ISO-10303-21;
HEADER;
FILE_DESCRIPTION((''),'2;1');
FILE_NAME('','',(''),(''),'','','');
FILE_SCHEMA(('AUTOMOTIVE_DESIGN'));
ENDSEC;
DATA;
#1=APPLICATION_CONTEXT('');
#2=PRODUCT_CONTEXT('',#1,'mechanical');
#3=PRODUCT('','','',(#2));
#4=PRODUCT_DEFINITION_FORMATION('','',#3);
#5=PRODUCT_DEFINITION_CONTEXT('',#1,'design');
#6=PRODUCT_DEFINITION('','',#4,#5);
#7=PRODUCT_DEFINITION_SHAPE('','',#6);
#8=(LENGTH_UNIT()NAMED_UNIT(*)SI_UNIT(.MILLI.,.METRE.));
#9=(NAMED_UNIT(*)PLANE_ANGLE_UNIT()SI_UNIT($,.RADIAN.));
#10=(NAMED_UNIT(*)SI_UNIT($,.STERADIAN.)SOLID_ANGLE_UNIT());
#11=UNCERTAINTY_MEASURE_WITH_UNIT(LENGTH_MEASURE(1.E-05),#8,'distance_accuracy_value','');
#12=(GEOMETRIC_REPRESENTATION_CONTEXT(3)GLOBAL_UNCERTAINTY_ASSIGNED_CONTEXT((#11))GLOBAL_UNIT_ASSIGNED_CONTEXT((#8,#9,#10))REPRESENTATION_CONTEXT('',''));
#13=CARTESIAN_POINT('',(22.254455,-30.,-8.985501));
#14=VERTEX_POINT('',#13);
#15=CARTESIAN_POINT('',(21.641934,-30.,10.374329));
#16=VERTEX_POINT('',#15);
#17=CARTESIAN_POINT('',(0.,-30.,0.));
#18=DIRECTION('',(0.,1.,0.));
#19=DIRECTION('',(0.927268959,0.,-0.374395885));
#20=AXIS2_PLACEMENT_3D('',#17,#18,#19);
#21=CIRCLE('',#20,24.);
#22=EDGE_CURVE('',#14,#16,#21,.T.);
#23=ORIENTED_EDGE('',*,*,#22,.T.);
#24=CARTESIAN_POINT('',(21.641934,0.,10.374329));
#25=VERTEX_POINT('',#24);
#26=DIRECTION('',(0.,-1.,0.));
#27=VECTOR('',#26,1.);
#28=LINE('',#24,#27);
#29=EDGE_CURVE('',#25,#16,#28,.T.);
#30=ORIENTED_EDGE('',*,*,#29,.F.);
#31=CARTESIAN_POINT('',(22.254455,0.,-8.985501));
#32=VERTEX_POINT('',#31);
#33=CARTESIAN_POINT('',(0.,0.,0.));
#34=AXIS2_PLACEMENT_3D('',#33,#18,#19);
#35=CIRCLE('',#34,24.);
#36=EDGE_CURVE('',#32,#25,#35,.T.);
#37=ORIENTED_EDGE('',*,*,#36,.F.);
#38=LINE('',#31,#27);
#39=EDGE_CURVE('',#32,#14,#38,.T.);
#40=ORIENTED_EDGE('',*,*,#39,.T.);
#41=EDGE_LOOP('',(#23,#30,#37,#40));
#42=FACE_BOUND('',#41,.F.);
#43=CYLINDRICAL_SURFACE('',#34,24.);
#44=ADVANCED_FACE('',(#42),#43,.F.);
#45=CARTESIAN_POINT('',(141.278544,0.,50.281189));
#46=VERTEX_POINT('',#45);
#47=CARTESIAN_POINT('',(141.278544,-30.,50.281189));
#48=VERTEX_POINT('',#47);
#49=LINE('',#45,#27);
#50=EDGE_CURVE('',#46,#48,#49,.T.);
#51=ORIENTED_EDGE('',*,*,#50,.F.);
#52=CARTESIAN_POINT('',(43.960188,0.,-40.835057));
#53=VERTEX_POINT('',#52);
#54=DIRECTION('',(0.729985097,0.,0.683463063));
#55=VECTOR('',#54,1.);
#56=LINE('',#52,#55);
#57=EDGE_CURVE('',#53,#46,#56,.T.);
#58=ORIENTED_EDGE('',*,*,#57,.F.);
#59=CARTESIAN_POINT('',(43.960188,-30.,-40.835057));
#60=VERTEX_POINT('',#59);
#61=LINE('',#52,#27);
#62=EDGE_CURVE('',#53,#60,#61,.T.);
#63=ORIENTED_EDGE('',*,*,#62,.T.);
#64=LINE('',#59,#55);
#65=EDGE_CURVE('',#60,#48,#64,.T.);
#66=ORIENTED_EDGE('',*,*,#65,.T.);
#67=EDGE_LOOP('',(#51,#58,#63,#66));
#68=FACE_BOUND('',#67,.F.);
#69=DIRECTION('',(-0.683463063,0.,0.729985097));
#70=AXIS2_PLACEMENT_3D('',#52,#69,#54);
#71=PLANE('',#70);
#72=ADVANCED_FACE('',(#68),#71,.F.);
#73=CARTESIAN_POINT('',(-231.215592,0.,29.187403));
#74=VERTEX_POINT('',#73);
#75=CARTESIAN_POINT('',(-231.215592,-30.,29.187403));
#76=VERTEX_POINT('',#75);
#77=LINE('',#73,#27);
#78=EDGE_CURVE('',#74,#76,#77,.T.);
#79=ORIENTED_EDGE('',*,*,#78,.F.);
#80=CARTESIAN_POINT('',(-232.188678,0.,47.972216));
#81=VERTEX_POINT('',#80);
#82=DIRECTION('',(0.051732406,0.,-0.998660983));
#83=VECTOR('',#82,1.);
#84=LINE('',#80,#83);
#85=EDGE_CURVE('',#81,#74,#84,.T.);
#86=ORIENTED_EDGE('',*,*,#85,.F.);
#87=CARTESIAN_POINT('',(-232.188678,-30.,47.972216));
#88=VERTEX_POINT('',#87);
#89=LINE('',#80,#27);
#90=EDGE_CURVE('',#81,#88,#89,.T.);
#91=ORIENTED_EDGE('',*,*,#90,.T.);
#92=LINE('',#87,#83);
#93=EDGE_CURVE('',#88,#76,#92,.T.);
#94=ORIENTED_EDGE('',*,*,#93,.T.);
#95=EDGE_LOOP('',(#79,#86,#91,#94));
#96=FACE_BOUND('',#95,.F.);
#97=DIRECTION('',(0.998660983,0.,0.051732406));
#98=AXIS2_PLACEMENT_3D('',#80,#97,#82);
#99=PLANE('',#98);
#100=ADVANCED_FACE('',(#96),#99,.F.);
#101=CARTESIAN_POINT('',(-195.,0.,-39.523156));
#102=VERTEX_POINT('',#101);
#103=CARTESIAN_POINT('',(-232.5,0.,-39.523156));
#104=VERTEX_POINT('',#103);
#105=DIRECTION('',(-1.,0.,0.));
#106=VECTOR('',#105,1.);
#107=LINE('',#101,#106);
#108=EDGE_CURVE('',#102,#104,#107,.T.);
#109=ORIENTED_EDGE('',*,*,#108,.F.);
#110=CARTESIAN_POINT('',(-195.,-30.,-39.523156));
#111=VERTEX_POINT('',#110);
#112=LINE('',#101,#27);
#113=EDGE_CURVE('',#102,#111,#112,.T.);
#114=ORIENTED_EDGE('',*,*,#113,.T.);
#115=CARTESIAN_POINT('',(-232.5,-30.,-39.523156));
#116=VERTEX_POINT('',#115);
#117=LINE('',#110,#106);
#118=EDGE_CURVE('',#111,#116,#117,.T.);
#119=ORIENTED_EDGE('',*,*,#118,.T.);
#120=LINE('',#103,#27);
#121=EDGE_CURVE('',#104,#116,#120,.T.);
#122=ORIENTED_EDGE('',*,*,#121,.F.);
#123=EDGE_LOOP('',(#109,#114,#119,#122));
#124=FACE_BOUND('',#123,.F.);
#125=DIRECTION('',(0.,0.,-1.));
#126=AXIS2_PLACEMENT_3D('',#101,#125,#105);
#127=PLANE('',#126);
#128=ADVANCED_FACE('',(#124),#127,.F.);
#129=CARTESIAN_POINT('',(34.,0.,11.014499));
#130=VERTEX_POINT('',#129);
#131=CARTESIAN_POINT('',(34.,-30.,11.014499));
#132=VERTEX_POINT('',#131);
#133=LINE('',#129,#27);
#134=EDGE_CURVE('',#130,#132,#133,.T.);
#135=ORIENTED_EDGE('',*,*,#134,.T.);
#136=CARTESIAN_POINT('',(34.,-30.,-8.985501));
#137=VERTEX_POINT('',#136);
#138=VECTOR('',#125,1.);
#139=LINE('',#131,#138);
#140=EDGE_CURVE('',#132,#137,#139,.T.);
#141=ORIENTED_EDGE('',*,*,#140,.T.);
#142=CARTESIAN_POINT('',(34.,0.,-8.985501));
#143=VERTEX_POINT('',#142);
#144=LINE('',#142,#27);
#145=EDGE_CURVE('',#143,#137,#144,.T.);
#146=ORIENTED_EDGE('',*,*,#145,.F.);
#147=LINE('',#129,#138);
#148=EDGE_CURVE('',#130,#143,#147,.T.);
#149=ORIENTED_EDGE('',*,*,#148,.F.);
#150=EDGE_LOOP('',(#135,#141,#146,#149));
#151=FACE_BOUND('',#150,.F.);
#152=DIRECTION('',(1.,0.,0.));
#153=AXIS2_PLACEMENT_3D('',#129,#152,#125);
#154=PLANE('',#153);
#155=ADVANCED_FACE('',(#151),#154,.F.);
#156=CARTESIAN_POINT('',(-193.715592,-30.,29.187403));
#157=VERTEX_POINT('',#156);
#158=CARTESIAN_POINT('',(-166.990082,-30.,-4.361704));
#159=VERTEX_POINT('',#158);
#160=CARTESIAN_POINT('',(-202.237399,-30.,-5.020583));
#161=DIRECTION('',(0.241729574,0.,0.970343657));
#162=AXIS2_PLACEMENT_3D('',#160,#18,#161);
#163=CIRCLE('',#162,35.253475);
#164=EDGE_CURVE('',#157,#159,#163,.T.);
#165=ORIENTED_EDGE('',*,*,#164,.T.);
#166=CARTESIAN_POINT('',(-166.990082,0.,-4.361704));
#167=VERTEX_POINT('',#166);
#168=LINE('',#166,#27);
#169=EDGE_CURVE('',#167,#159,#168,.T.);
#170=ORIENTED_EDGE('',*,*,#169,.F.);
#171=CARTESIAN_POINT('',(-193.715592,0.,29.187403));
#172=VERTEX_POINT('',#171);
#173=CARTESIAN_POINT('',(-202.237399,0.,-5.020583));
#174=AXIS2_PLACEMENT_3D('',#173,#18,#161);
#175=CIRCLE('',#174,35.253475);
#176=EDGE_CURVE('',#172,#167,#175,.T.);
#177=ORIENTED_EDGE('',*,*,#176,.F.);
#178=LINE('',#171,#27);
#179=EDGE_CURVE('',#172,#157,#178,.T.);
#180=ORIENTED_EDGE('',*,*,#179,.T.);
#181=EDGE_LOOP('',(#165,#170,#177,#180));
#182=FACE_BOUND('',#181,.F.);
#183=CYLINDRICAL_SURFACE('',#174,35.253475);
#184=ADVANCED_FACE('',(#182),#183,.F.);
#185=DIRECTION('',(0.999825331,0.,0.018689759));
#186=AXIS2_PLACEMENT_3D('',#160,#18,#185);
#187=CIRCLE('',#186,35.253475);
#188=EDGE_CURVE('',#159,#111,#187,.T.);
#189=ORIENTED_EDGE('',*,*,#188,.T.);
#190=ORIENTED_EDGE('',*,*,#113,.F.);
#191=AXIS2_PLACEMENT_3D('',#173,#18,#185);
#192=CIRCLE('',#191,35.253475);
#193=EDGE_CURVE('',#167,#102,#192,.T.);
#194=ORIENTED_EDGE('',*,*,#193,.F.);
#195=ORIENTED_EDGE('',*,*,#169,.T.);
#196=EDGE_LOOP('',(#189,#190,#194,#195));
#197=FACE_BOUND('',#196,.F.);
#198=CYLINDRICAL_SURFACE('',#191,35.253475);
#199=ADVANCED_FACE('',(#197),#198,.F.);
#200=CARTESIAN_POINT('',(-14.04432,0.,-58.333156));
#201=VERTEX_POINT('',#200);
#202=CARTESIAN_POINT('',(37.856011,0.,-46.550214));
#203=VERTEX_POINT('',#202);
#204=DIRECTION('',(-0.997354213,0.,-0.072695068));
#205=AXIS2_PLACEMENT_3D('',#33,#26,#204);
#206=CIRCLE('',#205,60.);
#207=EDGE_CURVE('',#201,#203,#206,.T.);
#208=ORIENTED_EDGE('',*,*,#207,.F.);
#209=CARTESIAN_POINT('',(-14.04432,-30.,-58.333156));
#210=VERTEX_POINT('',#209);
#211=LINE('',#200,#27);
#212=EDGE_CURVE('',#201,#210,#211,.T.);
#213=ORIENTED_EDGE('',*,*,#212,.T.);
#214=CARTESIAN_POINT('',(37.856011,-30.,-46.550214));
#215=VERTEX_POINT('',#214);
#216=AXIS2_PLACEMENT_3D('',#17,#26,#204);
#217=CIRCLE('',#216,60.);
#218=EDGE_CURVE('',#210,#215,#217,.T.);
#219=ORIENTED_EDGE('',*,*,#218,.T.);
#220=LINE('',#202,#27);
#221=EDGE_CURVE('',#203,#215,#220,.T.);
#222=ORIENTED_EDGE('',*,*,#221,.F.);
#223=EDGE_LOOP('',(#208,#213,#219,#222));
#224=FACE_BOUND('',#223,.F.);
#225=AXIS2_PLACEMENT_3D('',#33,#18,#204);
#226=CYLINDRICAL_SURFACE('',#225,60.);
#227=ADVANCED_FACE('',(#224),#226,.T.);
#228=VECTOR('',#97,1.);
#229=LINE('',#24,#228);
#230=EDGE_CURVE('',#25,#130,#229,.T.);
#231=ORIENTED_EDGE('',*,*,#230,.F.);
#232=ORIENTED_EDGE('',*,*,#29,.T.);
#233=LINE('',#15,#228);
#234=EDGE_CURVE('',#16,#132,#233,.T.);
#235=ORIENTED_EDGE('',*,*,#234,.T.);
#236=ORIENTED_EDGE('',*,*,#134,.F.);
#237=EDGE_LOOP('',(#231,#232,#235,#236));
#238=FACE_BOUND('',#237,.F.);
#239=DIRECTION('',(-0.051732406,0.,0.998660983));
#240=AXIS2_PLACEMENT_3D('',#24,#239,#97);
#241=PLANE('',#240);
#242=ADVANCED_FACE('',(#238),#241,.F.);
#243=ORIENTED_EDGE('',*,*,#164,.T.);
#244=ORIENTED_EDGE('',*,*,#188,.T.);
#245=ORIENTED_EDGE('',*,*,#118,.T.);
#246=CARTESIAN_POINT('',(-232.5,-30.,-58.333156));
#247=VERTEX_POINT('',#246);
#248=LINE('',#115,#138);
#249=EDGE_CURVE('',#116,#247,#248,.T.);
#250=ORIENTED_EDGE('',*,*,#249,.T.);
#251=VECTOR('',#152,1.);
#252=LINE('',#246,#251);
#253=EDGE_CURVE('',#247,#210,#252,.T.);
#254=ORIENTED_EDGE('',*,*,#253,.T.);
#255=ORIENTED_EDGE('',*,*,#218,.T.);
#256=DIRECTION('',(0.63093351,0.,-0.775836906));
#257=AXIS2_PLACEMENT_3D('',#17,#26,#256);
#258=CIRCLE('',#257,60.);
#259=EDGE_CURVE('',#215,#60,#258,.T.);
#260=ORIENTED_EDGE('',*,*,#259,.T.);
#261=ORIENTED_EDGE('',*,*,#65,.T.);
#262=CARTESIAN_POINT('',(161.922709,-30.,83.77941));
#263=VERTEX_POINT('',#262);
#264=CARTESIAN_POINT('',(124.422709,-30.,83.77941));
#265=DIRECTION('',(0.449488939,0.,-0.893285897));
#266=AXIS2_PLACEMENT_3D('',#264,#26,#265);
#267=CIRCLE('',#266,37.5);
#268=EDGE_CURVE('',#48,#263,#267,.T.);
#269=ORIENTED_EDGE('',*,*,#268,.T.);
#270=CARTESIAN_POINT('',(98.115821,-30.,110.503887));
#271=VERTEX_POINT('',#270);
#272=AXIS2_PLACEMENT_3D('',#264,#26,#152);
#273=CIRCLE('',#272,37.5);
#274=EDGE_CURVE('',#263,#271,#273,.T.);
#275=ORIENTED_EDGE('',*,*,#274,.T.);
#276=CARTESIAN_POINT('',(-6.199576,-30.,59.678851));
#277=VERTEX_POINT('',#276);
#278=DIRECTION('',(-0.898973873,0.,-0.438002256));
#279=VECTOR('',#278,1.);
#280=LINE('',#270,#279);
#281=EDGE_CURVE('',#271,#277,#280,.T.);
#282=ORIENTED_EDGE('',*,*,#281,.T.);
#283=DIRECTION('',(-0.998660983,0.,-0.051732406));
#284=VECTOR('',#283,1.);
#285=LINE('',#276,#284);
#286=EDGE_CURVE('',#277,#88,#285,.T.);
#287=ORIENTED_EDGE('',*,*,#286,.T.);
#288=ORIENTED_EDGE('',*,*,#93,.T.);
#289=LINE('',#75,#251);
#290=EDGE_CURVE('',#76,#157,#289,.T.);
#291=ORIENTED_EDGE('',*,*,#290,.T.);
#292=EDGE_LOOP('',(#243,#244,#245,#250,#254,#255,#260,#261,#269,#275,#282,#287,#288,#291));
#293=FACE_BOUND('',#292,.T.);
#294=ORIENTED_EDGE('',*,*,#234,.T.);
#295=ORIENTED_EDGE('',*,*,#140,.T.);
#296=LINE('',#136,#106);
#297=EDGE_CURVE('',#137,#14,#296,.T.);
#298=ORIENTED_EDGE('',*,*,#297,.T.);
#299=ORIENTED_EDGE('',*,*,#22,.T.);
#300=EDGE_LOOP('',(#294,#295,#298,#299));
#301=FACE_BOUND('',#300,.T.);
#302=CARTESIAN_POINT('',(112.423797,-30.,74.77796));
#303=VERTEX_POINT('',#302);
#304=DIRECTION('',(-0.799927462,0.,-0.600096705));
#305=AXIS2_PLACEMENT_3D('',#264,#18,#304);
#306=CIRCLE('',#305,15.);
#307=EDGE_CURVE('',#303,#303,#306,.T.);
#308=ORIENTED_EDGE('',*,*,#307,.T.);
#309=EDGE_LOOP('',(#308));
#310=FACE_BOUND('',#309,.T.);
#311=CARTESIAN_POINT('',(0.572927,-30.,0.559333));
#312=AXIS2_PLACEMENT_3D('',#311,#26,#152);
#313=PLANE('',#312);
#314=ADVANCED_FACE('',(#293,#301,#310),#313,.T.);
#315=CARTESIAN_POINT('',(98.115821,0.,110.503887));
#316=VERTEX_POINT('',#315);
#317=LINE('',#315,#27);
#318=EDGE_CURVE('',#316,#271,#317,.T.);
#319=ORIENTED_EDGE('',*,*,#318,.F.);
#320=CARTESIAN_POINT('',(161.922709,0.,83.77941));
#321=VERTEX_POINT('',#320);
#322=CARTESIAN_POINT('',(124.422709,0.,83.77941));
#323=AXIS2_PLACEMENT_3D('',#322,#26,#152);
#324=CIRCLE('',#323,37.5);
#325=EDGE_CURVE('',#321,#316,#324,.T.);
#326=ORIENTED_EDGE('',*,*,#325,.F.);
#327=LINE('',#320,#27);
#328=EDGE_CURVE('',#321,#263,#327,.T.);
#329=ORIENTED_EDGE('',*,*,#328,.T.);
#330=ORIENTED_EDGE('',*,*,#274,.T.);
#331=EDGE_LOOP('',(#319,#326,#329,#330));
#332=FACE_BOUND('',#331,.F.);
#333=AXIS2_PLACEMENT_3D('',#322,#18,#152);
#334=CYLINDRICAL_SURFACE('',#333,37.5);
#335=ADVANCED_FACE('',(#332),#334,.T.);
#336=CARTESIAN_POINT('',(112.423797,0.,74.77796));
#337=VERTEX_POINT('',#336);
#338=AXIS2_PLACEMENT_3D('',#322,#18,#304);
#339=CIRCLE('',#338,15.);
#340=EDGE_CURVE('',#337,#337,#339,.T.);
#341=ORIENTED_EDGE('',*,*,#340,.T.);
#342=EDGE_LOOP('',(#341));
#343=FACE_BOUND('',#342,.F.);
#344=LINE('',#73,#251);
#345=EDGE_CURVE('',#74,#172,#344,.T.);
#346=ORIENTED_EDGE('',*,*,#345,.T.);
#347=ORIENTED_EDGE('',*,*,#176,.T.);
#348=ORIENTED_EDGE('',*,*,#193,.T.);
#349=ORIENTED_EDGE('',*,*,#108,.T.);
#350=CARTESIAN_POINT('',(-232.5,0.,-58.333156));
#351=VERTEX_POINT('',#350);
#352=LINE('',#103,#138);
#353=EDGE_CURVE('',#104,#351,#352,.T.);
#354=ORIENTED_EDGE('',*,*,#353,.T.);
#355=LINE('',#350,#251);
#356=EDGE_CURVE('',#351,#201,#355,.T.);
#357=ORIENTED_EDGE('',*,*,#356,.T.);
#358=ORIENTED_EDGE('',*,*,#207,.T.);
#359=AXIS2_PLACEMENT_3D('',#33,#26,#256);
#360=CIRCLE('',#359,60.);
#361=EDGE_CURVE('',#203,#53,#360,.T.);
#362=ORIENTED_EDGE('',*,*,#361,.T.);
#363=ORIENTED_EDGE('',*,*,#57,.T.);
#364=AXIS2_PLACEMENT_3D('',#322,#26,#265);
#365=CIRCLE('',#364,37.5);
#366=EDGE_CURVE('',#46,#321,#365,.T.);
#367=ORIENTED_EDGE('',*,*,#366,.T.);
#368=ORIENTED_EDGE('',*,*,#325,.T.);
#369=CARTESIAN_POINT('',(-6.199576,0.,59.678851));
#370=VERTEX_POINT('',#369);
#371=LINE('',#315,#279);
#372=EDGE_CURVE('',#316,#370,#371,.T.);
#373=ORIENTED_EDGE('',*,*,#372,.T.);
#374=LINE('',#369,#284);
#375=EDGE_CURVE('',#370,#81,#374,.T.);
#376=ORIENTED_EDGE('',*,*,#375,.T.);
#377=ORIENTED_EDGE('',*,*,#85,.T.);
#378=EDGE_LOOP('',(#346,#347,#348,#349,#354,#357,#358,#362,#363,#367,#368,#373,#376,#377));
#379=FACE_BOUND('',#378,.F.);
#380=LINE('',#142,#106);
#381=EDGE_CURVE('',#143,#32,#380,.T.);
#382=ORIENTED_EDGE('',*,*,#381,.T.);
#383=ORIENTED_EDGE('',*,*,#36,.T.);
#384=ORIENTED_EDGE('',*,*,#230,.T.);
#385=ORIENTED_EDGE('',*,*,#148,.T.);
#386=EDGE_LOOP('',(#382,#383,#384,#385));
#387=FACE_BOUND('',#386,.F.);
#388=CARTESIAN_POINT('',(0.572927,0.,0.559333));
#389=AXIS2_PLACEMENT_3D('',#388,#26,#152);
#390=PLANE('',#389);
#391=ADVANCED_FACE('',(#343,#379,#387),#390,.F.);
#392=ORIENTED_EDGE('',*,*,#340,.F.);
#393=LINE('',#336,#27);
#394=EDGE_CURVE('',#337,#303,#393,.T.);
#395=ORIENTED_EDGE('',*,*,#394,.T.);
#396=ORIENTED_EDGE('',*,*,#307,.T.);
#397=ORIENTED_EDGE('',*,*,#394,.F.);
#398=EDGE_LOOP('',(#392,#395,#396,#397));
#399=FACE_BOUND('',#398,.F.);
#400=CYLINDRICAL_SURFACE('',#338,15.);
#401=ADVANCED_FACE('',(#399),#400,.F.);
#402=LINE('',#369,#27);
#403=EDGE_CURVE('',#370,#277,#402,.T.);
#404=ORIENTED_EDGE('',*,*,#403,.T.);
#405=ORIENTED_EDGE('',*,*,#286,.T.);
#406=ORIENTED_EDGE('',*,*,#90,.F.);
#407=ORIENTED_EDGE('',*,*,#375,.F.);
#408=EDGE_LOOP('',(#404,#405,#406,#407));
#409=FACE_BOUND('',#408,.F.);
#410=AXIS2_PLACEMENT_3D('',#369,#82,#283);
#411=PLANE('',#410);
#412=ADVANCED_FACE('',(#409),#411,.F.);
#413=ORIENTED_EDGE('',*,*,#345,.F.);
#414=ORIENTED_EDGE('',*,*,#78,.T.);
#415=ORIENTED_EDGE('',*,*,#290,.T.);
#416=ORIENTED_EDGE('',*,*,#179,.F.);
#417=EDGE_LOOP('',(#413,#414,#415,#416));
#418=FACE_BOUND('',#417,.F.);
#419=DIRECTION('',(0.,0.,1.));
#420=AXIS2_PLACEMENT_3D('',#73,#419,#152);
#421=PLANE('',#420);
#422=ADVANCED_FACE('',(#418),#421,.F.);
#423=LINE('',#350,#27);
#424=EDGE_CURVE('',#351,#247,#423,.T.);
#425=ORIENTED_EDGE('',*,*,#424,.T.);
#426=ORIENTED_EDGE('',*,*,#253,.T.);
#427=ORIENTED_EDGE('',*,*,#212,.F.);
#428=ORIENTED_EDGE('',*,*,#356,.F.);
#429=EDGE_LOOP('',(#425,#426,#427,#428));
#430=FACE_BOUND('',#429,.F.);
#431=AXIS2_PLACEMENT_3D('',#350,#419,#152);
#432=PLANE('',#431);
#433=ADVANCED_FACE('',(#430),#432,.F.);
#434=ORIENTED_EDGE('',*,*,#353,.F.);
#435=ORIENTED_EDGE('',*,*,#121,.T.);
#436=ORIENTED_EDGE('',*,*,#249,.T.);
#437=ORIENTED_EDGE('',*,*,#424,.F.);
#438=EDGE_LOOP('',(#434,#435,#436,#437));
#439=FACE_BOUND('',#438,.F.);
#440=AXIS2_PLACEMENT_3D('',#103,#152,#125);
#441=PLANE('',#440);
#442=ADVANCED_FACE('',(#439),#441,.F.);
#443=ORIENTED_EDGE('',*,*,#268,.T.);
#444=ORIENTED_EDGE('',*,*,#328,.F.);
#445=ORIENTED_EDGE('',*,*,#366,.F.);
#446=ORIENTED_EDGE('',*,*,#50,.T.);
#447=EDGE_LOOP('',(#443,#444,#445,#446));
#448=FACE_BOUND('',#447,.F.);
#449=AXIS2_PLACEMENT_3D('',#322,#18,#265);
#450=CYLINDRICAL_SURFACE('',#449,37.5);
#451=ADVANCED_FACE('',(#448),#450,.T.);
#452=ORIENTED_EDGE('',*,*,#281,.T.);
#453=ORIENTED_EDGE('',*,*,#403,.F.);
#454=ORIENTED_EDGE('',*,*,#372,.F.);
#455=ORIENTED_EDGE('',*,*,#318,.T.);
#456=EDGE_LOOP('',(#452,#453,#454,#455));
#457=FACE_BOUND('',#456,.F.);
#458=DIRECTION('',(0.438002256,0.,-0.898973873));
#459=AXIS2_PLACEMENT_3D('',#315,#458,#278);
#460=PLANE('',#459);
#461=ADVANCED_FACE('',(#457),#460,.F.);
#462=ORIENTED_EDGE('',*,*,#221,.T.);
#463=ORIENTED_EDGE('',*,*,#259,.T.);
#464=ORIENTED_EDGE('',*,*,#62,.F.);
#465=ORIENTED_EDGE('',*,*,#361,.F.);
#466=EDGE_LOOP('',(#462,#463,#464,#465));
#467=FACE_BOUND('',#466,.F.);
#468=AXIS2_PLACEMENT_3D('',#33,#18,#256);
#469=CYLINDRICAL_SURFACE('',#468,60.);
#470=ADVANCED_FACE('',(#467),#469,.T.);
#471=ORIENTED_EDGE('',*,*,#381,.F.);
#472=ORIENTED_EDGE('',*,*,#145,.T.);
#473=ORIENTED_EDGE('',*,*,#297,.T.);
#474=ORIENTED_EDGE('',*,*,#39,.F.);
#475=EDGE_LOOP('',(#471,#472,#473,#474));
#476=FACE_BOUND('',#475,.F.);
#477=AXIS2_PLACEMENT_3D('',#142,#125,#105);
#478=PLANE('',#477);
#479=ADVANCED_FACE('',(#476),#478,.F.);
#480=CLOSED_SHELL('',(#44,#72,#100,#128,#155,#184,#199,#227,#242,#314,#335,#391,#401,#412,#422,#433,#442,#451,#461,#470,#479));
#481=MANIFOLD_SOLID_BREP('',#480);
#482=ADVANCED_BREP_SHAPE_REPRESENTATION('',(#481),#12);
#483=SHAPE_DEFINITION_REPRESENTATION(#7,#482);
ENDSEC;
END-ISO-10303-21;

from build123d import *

# Parameters (mm, degrees)
F1_DEPTH = 30


with BuildPart() as f1:
    # F0 (on Front) → F1 (new body)
    with BuildSketch(Plane.XZ):
        with BuildLine():
            ThreePointArc((43.9601876184, -40.8350572983), (55.8462678122, -21.9361430395), (60, 0))
            ThreePointArc((60, 0), (59.3271357487, 8.9605225212), (57.3236345382, 17.7200711998))
            ThreePointArc((57.3236345382, 17.7200711998), (35.6145737586, 48.286666234), (0, 60))
            Line((0, 60), (-6.1995762038, 59.678850985))
            ThreePointArc((-6.1995762038, 59.678850985), (-45.9961514375, 38.5273156726), (-59.8412528078, -4.3617040695))
            ThreePointArc((-59.8412528078, -4.3617040695), (-45.749304661, -38.8201123522), (-14.0443202253, -58.3331558328))
            ThreePointArc((-14.0443202253, -58.3331558328), (13.2837711962, -58.5110367607), (37.8560106248, -46.5502143881))
            Line((37.8560106248, -46.5502143881), (43.9601876184, -40.8350572983))
        make_face()
        with BuildLine():
            ThreePointArc((22.2544550068, -8.9855012298), (-23.9879968678, -0.7589507694), (21.6419337451, 10.3743290757))
            Line((21.6419337451, 10.3743290757), (34, 11.0144987702))
            Line((34, 11.0144987702), (34, -8.9855012298))
            Line((34, -8.9855012298), (22.2544550068, -8.9855012298))
        make_face(mode=Mode.SUBTRACT)
        with BuildLine():
            ThreePointArc((57.3236345382, 17.7200711998), (59.3271357487, 8.9605225212), (60, 0))
            ThreePointArc((60, 0), (55.8462678122, -21.9361430395), (43.9601876184, -40.8350572983))
            Line((43.9601876184, -40.8350572983), (141.2785439355, 50.2811889465))
            ThreePointArc((141.2785439355, 50.2811889465), (117.6128786081, 46.9029106044), (96.7146143427, 58.5106248772))
            Line((96.7146143427, 58.5106248772), (57.3236345382, 17.7200711998))
        make_face()
        with BuildLine():
            ThreePointArc((0, 60), (35.6145737586, 48.286666234), (57.3236345382, 17.7200711998))
            Line((57.3236345382, 17.7200711998), (96.7146143427, 58.5106248772))
            ThreePointArc((96.7146143427, 58.5106248772), (86.9363192525, 84.7896597627), (98.1158209388, 110.5038867865))
            Line((98.1158209388, 110.5038867865), (-6.1995762038, 59.678850985))
            ThreePointArc((-6.1995762038, 59.678850985), (-3.1039443373, 59.9196589572), (0, 60))
        make_face()
        with BuildLine():
            ThreePointArc((37.8560106248, -46.5502143881), (41.0077837597, -43.7991058255), (43.9601876184, -40.8350572983))
            Line((43.9601876184, -40.8350572983), (37.8560106248, -46.5502143881))
        make_face()
        with BuildLine():
            Line((-6.1995762038, 59.678850985), (0, 60))
            ThreePointArc((0, 60), (-3.1039443373, 59.9196589572), (-6.1995762038, 59.678850985))
        make_face()
        with BuildLine():
            ThreePointArc((98.1158209388, 110.5038867865), (86.9363192525, 84.7896597627), (96.7146143427, 58.5106248772))
            ThreePointArc((96.7146143427, 58.5106248772), (117.6128786081, 46.9029106044), (141.2785439355, 50.2811889465))
            ThreePointArc((141.2785439355, 50.2811889465), (156.3471806883, 64.105109847), (161.9227087237, 83.779410083))
            ThreePointArc((161.9227087237, 83.779410083), (138.9096288254, 118.3681242246), (98.1158209388, 110.5038867865))
        make_face()
        with BuildLine():
            ThreePointArc((139.4227087237, 83.779410083), (129.1669853294, 69.5494473463), (112.4237967918, 74.7779595082))
            ThreePointArc((112.4237967918, 74.7779595082), (119.678432118, 98.0093728198), (139.4227087237, 83.779410083))
        make_face(mode=Mode.SUBTRACT)
        with BuildLine():
            ThreePointArc((-59.8412528078, -4.3617040695), (-45.9961514375, 38.5273156726), (-6.1995762038, 59.678850985))
            Line((-6.1995762038, 59.678850985), (-232.1886784593, 47.9722156929))
            Line((-232.1886784593, 47.9722156929), (-231.2155919095, 29.1874026098))
            Line((-231.2155919095, 29.1874026098), (-193.7155919095, 29.1874026098))
            ThreePointArc((-193.7155919095, 29.1874026098), (-174.663504004, 16.9450214035), (-166.9900822915, -4.3617040695))
            Line((-166.9900822915, -4.3617040695), (-59.8412528078, -4.3617040695))
        make_face()
        with BuildLine():
            Line((-232.5, -58.3331558328), (-14.0443202253, -58.3331558328))
            ThreePointArc((-14.0443202253, -58.3331558328), (-45.749304661, -38.8201123522), (-59.8412528078, -4.3617040695))
            Line((-59.8412528078, -4.3617040695), (-166.9900822915, -4.3617040695))
            ThreePointArc((-166.9900822915, -4.3617040695), (-174.663504004, -26.9861874019), (-195, -39.5231558328))
            Line((-195, -39.5231558328), (-232.5, -39.5231558328))
            Line((-232.5, -39.5231558328), (-232.5, -58.3331558328))
        make_face()
    extrude(amount=F1_DEPTH)


solid = f1.part
